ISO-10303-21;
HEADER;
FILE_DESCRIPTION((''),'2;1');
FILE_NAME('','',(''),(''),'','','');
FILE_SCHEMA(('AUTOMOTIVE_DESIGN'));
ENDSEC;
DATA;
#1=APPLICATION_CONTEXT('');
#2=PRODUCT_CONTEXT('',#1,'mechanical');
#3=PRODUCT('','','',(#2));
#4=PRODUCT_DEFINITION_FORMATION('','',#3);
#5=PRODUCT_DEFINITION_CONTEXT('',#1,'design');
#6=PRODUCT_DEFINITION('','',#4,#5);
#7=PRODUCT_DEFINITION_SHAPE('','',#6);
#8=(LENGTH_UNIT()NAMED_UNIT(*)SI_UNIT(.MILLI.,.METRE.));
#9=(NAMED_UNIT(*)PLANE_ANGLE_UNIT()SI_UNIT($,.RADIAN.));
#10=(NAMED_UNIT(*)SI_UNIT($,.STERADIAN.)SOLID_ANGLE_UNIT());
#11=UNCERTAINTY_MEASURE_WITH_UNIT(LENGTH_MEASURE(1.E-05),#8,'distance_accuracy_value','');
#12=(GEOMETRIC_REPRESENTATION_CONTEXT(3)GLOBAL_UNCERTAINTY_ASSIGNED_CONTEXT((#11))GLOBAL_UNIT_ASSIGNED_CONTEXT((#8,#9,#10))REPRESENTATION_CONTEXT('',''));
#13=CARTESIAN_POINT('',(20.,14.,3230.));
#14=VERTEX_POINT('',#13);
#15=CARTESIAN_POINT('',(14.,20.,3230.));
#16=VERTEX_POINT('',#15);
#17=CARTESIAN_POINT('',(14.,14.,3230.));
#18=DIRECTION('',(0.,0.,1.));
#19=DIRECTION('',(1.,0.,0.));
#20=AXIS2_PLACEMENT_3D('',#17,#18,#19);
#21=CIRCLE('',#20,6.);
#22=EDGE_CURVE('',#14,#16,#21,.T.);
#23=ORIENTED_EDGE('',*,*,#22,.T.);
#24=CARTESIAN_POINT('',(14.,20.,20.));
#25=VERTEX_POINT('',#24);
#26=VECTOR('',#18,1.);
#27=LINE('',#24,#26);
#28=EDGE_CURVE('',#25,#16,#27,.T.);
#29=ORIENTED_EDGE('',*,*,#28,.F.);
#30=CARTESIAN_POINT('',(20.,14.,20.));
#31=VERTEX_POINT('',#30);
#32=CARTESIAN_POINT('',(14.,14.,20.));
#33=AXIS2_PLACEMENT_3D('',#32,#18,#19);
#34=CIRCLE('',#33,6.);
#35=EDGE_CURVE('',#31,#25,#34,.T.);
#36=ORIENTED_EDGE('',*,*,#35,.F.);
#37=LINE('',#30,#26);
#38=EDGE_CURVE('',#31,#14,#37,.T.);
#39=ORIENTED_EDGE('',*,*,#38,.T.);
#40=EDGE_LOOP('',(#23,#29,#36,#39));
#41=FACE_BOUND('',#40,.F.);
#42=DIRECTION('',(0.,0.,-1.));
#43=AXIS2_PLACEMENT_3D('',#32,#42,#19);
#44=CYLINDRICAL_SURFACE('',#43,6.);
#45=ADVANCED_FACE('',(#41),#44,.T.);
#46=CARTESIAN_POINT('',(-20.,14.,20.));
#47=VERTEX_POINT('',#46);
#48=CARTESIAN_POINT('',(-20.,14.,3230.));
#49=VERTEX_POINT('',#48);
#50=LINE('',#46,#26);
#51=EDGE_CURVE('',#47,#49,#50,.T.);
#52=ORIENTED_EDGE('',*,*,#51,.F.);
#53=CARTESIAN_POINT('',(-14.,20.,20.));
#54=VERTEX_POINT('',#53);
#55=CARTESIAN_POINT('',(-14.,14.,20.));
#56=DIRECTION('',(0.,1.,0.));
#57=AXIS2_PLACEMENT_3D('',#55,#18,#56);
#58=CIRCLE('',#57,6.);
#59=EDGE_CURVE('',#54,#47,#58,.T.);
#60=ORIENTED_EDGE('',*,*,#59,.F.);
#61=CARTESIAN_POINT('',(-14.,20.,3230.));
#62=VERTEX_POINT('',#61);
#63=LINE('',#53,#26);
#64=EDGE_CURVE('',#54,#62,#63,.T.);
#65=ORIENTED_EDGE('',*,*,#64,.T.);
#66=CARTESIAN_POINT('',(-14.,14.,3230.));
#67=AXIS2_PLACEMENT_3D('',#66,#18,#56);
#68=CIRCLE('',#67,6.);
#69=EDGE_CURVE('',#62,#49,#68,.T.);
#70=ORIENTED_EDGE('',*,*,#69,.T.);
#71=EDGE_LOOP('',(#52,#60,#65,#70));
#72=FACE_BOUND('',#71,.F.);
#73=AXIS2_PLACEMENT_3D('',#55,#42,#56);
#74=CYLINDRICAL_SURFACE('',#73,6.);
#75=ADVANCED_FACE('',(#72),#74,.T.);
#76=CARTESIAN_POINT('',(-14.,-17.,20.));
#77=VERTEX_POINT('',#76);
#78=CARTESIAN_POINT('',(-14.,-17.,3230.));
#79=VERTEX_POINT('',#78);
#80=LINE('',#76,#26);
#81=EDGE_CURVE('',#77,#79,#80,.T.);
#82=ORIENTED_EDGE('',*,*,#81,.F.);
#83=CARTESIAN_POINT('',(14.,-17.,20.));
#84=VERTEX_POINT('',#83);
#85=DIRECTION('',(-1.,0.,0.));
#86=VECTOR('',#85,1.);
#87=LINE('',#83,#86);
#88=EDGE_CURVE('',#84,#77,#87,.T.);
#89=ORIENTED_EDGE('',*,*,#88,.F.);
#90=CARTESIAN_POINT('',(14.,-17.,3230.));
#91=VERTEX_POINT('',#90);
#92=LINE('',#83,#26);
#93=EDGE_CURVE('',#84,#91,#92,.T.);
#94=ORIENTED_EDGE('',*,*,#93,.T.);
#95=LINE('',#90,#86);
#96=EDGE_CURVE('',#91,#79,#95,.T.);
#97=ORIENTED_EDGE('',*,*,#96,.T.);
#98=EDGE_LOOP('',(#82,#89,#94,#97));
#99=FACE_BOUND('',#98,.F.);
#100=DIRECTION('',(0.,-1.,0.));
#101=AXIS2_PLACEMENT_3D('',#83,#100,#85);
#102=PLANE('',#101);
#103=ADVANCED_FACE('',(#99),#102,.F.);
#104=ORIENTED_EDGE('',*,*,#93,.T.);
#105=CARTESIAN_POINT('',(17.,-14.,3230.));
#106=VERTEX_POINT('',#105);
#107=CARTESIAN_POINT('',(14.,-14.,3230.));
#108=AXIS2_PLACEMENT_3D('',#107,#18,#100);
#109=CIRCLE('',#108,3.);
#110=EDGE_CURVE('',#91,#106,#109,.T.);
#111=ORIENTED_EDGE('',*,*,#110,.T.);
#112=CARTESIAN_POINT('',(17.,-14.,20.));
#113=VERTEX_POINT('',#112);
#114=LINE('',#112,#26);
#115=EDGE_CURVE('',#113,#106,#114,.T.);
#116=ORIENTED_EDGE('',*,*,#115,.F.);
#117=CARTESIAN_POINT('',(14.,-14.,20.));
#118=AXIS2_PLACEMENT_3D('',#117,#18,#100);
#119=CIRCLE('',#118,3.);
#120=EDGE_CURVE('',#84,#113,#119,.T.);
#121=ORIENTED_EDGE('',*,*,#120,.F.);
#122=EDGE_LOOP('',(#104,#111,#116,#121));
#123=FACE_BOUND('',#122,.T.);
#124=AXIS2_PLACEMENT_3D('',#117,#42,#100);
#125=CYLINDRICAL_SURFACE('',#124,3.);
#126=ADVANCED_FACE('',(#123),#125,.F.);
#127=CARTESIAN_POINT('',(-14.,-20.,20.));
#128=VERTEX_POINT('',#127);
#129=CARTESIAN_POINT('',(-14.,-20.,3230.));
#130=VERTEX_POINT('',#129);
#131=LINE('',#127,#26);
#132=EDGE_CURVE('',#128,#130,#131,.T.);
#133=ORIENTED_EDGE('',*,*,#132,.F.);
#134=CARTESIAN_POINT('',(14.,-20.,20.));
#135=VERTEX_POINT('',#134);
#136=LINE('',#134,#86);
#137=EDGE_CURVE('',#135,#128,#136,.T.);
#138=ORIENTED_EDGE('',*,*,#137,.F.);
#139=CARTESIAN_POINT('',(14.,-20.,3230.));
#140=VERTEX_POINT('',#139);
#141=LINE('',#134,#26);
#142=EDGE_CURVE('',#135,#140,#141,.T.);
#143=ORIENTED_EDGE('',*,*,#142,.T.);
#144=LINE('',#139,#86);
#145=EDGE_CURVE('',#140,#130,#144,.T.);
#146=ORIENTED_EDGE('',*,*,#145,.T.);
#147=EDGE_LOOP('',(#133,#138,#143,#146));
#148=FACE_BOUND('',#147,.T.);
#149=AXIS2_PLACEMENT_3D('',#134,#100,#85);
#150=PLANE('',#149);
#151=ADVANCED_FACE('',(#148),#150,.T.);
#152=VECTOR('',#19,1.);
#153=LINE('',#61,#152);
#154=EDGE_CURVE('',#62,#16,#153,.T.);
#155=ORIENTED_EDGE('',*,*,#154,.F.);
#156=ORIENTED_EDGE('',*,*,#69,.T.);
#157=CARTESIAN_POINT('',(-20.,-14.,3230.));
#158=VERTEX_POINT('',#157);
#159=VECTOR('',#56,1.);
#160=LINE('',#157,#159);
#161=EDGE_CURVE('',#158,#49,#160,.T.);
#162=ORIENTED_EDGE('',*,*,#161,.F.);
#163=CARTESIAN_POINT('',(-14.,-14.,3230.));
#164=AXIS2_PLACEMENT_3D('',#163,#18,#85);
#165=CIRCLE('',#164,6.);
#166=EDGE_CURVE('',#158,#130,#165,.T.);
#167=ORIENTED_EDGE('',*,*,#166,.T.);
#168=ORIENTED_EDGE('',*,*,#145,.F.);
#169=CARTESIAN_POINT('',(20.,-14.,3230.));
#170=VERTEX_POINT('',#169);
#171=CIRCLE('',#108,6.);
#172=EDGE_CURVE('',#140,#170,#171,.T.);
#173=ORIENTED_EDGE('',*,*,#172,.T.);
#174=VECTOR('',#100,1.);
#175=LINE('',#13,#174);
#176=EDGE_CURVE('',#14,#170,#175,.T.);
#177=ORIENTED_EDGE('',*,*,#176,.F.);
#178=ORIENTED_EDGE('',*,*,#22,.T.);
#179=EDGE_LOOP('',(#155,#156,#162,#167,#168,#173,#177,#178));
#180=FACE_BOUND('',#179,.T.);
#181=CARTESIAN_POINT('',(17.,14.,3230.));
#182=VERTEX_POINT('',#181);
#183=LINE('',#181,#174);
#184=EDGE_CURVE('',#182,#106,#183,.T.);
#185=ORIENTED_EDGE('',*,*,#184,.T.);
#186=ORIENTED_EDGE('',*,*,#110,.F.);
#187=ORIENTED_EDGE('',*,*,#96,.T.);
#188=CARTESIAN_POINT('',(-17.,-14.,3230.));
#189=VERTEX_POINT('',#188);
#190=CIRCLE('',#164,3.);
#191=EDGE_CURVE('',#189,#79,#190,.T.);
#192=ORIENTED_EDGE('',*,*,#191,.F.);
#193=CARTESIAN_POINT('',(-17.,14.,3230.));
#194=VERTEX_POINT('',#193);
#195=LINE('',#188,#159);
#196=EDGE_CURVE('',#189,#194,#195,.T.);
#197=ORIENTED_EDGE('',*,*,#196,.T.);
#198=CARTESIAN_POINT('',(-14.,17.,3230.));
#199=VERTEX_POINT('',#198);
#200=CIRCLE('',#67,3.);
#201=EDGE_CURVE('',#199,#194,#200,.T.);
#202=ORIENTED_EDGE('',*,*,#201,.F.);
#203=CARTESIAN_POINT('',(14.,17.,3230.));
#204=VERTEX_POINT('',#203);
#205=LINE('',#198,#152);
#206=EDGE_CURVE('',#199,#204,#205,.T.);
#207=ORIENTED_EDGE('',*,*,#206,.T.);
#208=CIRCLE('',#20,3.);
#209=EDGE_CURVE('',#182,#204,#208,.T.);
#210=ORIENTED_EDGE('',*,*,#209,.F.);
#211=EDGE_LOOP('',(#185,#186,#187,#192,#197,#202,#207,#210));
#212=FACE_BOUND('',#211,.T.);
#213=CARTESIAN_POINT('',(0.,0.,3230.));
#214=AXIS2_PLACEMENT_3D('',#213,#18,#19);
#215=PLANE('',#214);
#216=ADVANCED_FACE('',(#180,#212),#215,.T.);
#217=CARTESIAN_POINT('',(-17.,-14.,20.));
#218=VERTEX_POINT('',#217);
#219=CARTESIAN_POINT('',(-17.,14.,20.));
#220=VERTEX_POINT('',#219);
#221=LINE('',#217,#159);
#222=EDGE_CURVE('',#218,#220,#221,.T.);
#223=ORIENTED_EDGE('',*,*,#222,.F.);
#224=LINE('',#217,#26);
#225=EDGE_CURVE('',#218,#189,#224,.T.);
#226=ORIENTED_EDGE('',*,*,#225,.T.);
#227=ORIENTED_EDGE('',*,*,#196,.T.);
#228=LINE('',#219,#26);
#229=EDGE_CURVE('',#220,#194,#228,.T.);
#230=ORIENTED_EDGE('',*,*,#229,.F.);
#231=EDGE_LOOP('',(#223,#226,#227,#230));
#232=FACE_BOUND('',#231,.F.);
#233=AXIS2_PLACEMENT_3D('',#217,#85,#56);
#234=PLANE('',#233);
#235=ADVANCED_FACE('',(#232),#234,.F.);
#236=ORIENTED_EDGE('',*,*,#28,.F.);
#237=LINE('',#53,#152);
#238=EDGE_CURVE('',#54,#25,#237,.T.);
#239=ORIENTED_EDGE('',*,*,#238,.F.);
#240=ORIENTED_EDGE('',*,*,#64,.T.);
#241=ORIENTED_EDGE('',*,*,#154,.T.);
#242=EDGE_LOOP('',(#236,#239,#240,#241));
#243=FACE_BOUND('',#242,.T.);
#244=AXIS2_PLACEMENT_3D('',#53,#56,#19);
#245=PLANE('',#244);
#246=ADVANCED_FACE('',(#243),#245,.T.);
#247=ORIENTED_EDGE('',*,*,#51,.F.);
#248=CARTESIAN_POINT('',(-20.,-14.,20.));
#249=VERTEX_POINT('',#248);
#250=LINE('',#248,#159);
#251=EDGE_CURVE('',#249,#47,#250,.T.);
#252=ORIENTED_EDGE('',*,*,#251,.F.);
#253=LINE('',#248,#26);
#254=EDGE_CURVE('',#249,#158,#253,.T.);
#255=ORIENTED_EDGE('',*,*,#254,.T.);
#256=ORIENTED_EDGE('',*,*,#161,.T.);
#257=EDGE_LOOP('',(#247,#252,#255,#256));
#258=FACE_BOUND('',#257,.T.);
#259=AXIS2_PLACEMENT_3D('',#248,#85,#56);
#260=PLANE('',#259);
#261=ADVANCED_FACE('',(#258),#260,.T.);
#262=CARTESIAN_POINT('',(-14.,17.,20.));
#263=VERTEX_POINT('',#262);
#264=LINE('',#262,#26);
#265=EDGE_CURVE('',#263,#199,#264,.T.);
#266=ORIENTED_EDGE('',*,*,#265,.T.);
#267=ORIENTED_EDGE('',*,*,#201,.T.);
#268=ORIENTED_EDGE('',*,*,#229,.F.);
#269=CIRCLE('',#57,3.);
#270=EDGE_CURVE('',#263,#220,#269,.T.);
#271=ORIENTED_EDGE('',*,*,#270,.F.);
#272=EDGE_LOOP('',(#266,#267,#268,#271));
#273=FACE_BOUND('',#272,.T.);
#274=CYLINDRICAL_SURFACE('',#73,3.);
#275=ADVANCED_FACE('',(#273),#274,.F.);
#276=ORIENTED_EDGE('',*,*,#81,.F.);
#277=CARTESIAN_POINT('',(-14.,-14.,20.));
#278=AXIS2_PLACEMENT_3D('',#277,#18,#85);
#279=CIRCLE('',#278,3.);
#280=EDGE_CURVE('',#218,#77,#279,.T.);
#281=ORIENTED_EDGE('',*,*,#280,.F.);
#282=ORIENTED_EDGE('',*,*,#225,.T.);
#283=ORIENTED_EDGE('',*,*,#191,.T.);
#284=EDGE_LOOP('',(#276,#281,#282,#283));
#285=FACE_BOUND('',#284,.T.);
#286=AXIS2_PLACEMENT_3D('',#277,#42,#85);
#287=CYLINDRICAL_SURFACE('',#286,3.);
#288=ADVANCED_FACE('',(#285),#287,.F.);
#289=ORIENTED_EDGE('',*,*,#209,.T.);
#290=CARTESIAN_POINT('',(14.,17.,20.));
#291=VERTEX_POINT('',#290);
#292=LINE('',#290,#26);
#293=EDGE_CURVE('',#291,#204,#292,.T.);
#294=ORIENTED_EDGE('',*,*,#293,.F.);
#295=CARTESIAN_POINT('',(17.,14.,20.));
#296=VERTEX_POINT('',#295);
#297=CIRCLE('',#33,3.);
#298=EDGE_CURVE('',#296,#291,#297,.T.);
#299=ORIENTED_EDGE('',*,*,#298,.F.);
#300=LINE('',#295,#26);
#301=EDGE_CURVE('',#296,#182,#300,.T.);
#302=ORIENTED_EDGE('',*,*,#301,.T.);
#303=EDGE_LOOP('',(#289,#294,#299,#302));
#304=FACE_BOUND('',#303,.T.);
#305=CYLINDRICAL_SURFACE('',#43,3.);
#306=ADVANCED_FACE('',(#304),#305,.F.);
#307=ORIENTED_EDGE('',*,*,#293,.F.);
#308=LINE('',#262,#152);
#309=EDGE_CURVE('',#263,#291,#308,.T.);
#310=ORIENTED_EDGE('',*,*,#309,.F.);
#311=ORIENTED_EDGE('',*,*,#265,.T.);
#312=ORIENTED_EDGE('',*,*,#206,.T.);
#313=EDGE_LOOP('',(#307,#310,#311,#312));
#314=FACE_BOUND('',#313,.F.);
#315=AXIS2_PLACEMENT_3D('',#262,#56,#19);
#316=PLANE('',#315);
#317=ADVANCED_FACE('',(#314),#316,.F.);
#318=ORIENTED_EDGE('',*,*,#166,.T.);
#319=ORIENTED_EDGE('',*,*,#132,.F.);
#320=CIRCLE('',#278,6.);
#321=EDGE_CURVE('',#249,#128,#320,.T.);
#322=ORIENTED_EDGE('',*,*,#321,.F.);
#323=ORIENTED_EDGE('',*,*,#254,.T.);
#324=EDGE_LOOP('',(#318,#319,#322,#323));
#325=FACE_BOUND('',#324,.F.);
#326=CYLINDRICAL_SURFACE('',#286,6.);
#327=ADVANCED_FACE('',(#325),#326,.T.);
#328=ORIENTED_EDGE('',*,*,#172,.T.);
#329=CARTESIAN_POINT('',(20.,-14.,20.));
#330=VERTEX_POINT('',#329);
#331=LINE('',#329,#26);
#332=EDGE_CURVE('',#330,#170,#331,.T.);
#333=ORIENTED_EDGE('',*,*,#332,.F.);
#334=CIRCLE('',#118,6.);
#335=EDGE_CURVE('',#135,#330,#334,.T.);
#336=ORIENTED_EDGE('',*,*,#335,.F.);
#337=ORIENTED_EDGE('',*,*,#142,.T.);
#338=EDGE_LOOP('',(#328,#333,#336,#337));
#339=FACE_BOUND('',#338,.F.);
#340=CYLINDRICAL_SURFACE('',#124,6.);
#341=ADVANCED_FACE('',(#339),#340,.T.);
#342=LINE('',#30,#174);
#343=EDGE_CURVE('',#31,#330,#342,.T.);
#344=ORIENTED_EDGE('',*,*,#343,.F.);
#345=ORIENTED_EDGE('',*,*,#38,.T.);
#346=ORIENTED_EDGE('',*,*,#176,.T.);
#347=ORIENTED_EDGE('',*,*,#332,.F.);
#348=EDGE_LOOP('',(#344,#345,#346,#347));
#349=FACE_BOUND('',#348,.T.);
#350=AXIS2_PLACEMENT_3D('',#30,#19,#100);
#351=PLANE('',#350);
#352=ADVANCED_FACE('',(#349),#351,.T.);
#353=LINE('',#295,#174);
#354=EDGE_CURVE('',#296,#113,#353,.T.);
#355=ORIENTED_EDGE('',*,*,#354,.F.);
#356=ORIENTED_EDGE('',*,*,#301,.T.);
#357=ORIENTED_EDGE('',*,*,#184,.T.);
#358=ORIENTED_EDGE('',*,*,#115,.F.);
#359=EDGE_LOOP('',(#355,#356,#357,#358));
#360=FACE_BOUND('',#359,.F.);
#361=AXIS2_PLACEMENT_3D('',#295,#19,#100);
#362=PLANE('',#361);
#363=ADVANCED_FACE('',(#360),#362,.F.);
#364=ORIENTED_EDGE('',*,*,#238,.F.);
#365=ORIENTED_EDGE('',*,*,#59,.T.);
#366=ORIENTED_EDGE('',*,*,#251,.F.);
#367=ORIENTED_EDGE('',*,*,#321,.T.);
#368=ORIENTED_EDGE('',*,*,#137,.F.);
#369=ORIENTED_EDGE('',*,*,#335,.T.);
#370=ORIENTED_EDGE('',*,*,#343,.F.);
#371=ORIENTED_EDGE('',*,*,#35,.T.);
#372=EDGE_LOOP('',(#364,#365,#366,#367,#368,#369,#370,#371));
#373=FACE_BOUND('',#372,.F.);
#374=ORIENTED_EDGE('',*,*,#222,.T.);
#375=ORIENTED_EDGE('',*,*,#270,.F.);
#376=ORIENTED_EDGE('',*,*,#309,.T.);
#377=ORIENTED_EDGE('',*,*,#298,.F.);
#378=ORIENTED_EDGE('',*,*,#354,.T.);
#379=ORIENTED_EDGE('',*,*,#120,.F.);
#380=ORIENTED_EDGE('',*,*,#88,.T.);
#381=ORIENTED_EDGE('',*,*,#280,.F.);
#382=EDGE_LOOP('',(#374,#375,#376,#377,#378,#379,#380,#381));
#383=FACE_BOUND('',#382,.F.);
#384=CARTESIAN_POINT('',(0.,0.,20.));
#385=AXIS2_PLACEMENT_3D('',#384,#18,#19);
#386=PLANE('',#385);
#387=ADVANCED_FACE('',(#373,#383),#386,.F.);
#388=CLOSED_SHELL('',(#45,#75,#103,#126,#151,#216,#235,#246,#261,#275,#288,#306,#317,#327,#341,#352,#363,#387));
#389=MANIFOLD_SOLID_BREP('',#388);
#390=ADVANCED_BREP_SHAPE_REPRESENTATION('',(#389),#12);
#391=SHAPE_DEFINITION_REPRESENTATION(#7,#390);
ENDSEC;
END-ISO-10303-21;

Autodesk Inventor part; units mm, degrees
ref_plane "Start Plane" through (0, 0, 20) normal (0, 0, 1) x (1, 0, 0)
ref_plane "End Plane" through (0, 0, 3230) normal (0, 0, 1) x (1, 0, 0)
sketch "Sketch" plane through (0, 0, 0) normal (0, 0, 1) x (1, 0, 0)
  line L0 (-20, -14) -> (-20, 14)
  line L1 (-14, 20) -> (14, 20)
  line L2 (20, 14) -> (20, -14)
  line L3 (14, -20) -> (-14, -20)
  arc A0 (-20, -14) -> (-14, -20) centre (-14, -14) ccw
  arc A1 (20, 14) -> (14, 20) centre (14, 14) ccw
  arc A2 (-14, 20) -> (-20, 14) centre (-14, 14) ccw
  arc A3 (14, -20) -> (20, -14) centre (14, -14) ccw
  arc A4 (-14, 17) -> (-17, 14) centre (-14, 14) ccw
  line L4 (-14, 17) -> (14, 17)
  arc A5 (17, 14) -> (14, 17) centre (14, 14) ccw
  line L5 (17, 14) -> (17, -14)
  arc A6 (14, -17) -> (17, -14) centre (14, -14) ccw
  line L6 (14, -17) -> (-14, -17)
  arc A7 (-17, -14) -> (-14, -17) centre (-14, -14) ccw
  line L7 (-17, -14) -> (-17, 14)
  line L8 (0, 29.7397) -> (0, -29.7397) construction
  line L9 (-29.7397, 0) -> (29.7397, 0) construction
  dimension "d7" = 6
  dimension "d9" = 40
  dimension "d11" = 40
  dimension "d12" = 3
  dimension "d15" = 20
  dimension "d16" = 20
extrude "Body" add sketch "Sketch" along normal up to surface (3210 mm away) from surface at 20
sketch "Sketch3" plane through (0, 0, 0) normal (0, 0, 1) x (1, 0, 0)
  line L0 (0, 0) -> (10, 0)
ref_plane "Work Plane3" through (0, 0, 0) normal (0, -1, 0) x (1, 0, 0)
ref_plane "Work Plane4" through (220, -12, 3230) normal (0, 0, 1) x (1, 0, 0)
split "Split1" plane through (220, -12, 3230) removes the side toward (0, 0, 1)
ref_plane "Work Plane5" through (-1780, -12, 20) normal (0, 0, -1) x (-1, 0, 0)
split "Split2" plane through (-1780, -12, 20) removes the side toward (0, 0, -1)
sketch "Sketch4" plane through (0, 0, 0) normal (0, -1, 0) x (1, 0, 0)
  line L0 (-2, 20) -> (12, 20) projected
  line L1 (-2, 3230) -> (12, 3230) projected
  dimension "d18" = 3210
equation "\"d7\" = G_IR"
equation "\"d9\" = G_W"
equation "\"d11\" = G_H"
equation "\"d12\" = G_T"
equation "\"d15\" = 0.5 * d9"
equation "\"d16\" = 0.5 * d11"
equation "\"d3\" = G_L"
equation "\"G_W\" = 40"
equation "\"G_H\" = 40"
equation "\"G_T\" = 3"
equation "\"G_IR\" = 6"
equation "\"G_L\" = d18"
properties part number "ISO 10799-2 - 40x40x3 - 3210" material "Steel, Mild"
